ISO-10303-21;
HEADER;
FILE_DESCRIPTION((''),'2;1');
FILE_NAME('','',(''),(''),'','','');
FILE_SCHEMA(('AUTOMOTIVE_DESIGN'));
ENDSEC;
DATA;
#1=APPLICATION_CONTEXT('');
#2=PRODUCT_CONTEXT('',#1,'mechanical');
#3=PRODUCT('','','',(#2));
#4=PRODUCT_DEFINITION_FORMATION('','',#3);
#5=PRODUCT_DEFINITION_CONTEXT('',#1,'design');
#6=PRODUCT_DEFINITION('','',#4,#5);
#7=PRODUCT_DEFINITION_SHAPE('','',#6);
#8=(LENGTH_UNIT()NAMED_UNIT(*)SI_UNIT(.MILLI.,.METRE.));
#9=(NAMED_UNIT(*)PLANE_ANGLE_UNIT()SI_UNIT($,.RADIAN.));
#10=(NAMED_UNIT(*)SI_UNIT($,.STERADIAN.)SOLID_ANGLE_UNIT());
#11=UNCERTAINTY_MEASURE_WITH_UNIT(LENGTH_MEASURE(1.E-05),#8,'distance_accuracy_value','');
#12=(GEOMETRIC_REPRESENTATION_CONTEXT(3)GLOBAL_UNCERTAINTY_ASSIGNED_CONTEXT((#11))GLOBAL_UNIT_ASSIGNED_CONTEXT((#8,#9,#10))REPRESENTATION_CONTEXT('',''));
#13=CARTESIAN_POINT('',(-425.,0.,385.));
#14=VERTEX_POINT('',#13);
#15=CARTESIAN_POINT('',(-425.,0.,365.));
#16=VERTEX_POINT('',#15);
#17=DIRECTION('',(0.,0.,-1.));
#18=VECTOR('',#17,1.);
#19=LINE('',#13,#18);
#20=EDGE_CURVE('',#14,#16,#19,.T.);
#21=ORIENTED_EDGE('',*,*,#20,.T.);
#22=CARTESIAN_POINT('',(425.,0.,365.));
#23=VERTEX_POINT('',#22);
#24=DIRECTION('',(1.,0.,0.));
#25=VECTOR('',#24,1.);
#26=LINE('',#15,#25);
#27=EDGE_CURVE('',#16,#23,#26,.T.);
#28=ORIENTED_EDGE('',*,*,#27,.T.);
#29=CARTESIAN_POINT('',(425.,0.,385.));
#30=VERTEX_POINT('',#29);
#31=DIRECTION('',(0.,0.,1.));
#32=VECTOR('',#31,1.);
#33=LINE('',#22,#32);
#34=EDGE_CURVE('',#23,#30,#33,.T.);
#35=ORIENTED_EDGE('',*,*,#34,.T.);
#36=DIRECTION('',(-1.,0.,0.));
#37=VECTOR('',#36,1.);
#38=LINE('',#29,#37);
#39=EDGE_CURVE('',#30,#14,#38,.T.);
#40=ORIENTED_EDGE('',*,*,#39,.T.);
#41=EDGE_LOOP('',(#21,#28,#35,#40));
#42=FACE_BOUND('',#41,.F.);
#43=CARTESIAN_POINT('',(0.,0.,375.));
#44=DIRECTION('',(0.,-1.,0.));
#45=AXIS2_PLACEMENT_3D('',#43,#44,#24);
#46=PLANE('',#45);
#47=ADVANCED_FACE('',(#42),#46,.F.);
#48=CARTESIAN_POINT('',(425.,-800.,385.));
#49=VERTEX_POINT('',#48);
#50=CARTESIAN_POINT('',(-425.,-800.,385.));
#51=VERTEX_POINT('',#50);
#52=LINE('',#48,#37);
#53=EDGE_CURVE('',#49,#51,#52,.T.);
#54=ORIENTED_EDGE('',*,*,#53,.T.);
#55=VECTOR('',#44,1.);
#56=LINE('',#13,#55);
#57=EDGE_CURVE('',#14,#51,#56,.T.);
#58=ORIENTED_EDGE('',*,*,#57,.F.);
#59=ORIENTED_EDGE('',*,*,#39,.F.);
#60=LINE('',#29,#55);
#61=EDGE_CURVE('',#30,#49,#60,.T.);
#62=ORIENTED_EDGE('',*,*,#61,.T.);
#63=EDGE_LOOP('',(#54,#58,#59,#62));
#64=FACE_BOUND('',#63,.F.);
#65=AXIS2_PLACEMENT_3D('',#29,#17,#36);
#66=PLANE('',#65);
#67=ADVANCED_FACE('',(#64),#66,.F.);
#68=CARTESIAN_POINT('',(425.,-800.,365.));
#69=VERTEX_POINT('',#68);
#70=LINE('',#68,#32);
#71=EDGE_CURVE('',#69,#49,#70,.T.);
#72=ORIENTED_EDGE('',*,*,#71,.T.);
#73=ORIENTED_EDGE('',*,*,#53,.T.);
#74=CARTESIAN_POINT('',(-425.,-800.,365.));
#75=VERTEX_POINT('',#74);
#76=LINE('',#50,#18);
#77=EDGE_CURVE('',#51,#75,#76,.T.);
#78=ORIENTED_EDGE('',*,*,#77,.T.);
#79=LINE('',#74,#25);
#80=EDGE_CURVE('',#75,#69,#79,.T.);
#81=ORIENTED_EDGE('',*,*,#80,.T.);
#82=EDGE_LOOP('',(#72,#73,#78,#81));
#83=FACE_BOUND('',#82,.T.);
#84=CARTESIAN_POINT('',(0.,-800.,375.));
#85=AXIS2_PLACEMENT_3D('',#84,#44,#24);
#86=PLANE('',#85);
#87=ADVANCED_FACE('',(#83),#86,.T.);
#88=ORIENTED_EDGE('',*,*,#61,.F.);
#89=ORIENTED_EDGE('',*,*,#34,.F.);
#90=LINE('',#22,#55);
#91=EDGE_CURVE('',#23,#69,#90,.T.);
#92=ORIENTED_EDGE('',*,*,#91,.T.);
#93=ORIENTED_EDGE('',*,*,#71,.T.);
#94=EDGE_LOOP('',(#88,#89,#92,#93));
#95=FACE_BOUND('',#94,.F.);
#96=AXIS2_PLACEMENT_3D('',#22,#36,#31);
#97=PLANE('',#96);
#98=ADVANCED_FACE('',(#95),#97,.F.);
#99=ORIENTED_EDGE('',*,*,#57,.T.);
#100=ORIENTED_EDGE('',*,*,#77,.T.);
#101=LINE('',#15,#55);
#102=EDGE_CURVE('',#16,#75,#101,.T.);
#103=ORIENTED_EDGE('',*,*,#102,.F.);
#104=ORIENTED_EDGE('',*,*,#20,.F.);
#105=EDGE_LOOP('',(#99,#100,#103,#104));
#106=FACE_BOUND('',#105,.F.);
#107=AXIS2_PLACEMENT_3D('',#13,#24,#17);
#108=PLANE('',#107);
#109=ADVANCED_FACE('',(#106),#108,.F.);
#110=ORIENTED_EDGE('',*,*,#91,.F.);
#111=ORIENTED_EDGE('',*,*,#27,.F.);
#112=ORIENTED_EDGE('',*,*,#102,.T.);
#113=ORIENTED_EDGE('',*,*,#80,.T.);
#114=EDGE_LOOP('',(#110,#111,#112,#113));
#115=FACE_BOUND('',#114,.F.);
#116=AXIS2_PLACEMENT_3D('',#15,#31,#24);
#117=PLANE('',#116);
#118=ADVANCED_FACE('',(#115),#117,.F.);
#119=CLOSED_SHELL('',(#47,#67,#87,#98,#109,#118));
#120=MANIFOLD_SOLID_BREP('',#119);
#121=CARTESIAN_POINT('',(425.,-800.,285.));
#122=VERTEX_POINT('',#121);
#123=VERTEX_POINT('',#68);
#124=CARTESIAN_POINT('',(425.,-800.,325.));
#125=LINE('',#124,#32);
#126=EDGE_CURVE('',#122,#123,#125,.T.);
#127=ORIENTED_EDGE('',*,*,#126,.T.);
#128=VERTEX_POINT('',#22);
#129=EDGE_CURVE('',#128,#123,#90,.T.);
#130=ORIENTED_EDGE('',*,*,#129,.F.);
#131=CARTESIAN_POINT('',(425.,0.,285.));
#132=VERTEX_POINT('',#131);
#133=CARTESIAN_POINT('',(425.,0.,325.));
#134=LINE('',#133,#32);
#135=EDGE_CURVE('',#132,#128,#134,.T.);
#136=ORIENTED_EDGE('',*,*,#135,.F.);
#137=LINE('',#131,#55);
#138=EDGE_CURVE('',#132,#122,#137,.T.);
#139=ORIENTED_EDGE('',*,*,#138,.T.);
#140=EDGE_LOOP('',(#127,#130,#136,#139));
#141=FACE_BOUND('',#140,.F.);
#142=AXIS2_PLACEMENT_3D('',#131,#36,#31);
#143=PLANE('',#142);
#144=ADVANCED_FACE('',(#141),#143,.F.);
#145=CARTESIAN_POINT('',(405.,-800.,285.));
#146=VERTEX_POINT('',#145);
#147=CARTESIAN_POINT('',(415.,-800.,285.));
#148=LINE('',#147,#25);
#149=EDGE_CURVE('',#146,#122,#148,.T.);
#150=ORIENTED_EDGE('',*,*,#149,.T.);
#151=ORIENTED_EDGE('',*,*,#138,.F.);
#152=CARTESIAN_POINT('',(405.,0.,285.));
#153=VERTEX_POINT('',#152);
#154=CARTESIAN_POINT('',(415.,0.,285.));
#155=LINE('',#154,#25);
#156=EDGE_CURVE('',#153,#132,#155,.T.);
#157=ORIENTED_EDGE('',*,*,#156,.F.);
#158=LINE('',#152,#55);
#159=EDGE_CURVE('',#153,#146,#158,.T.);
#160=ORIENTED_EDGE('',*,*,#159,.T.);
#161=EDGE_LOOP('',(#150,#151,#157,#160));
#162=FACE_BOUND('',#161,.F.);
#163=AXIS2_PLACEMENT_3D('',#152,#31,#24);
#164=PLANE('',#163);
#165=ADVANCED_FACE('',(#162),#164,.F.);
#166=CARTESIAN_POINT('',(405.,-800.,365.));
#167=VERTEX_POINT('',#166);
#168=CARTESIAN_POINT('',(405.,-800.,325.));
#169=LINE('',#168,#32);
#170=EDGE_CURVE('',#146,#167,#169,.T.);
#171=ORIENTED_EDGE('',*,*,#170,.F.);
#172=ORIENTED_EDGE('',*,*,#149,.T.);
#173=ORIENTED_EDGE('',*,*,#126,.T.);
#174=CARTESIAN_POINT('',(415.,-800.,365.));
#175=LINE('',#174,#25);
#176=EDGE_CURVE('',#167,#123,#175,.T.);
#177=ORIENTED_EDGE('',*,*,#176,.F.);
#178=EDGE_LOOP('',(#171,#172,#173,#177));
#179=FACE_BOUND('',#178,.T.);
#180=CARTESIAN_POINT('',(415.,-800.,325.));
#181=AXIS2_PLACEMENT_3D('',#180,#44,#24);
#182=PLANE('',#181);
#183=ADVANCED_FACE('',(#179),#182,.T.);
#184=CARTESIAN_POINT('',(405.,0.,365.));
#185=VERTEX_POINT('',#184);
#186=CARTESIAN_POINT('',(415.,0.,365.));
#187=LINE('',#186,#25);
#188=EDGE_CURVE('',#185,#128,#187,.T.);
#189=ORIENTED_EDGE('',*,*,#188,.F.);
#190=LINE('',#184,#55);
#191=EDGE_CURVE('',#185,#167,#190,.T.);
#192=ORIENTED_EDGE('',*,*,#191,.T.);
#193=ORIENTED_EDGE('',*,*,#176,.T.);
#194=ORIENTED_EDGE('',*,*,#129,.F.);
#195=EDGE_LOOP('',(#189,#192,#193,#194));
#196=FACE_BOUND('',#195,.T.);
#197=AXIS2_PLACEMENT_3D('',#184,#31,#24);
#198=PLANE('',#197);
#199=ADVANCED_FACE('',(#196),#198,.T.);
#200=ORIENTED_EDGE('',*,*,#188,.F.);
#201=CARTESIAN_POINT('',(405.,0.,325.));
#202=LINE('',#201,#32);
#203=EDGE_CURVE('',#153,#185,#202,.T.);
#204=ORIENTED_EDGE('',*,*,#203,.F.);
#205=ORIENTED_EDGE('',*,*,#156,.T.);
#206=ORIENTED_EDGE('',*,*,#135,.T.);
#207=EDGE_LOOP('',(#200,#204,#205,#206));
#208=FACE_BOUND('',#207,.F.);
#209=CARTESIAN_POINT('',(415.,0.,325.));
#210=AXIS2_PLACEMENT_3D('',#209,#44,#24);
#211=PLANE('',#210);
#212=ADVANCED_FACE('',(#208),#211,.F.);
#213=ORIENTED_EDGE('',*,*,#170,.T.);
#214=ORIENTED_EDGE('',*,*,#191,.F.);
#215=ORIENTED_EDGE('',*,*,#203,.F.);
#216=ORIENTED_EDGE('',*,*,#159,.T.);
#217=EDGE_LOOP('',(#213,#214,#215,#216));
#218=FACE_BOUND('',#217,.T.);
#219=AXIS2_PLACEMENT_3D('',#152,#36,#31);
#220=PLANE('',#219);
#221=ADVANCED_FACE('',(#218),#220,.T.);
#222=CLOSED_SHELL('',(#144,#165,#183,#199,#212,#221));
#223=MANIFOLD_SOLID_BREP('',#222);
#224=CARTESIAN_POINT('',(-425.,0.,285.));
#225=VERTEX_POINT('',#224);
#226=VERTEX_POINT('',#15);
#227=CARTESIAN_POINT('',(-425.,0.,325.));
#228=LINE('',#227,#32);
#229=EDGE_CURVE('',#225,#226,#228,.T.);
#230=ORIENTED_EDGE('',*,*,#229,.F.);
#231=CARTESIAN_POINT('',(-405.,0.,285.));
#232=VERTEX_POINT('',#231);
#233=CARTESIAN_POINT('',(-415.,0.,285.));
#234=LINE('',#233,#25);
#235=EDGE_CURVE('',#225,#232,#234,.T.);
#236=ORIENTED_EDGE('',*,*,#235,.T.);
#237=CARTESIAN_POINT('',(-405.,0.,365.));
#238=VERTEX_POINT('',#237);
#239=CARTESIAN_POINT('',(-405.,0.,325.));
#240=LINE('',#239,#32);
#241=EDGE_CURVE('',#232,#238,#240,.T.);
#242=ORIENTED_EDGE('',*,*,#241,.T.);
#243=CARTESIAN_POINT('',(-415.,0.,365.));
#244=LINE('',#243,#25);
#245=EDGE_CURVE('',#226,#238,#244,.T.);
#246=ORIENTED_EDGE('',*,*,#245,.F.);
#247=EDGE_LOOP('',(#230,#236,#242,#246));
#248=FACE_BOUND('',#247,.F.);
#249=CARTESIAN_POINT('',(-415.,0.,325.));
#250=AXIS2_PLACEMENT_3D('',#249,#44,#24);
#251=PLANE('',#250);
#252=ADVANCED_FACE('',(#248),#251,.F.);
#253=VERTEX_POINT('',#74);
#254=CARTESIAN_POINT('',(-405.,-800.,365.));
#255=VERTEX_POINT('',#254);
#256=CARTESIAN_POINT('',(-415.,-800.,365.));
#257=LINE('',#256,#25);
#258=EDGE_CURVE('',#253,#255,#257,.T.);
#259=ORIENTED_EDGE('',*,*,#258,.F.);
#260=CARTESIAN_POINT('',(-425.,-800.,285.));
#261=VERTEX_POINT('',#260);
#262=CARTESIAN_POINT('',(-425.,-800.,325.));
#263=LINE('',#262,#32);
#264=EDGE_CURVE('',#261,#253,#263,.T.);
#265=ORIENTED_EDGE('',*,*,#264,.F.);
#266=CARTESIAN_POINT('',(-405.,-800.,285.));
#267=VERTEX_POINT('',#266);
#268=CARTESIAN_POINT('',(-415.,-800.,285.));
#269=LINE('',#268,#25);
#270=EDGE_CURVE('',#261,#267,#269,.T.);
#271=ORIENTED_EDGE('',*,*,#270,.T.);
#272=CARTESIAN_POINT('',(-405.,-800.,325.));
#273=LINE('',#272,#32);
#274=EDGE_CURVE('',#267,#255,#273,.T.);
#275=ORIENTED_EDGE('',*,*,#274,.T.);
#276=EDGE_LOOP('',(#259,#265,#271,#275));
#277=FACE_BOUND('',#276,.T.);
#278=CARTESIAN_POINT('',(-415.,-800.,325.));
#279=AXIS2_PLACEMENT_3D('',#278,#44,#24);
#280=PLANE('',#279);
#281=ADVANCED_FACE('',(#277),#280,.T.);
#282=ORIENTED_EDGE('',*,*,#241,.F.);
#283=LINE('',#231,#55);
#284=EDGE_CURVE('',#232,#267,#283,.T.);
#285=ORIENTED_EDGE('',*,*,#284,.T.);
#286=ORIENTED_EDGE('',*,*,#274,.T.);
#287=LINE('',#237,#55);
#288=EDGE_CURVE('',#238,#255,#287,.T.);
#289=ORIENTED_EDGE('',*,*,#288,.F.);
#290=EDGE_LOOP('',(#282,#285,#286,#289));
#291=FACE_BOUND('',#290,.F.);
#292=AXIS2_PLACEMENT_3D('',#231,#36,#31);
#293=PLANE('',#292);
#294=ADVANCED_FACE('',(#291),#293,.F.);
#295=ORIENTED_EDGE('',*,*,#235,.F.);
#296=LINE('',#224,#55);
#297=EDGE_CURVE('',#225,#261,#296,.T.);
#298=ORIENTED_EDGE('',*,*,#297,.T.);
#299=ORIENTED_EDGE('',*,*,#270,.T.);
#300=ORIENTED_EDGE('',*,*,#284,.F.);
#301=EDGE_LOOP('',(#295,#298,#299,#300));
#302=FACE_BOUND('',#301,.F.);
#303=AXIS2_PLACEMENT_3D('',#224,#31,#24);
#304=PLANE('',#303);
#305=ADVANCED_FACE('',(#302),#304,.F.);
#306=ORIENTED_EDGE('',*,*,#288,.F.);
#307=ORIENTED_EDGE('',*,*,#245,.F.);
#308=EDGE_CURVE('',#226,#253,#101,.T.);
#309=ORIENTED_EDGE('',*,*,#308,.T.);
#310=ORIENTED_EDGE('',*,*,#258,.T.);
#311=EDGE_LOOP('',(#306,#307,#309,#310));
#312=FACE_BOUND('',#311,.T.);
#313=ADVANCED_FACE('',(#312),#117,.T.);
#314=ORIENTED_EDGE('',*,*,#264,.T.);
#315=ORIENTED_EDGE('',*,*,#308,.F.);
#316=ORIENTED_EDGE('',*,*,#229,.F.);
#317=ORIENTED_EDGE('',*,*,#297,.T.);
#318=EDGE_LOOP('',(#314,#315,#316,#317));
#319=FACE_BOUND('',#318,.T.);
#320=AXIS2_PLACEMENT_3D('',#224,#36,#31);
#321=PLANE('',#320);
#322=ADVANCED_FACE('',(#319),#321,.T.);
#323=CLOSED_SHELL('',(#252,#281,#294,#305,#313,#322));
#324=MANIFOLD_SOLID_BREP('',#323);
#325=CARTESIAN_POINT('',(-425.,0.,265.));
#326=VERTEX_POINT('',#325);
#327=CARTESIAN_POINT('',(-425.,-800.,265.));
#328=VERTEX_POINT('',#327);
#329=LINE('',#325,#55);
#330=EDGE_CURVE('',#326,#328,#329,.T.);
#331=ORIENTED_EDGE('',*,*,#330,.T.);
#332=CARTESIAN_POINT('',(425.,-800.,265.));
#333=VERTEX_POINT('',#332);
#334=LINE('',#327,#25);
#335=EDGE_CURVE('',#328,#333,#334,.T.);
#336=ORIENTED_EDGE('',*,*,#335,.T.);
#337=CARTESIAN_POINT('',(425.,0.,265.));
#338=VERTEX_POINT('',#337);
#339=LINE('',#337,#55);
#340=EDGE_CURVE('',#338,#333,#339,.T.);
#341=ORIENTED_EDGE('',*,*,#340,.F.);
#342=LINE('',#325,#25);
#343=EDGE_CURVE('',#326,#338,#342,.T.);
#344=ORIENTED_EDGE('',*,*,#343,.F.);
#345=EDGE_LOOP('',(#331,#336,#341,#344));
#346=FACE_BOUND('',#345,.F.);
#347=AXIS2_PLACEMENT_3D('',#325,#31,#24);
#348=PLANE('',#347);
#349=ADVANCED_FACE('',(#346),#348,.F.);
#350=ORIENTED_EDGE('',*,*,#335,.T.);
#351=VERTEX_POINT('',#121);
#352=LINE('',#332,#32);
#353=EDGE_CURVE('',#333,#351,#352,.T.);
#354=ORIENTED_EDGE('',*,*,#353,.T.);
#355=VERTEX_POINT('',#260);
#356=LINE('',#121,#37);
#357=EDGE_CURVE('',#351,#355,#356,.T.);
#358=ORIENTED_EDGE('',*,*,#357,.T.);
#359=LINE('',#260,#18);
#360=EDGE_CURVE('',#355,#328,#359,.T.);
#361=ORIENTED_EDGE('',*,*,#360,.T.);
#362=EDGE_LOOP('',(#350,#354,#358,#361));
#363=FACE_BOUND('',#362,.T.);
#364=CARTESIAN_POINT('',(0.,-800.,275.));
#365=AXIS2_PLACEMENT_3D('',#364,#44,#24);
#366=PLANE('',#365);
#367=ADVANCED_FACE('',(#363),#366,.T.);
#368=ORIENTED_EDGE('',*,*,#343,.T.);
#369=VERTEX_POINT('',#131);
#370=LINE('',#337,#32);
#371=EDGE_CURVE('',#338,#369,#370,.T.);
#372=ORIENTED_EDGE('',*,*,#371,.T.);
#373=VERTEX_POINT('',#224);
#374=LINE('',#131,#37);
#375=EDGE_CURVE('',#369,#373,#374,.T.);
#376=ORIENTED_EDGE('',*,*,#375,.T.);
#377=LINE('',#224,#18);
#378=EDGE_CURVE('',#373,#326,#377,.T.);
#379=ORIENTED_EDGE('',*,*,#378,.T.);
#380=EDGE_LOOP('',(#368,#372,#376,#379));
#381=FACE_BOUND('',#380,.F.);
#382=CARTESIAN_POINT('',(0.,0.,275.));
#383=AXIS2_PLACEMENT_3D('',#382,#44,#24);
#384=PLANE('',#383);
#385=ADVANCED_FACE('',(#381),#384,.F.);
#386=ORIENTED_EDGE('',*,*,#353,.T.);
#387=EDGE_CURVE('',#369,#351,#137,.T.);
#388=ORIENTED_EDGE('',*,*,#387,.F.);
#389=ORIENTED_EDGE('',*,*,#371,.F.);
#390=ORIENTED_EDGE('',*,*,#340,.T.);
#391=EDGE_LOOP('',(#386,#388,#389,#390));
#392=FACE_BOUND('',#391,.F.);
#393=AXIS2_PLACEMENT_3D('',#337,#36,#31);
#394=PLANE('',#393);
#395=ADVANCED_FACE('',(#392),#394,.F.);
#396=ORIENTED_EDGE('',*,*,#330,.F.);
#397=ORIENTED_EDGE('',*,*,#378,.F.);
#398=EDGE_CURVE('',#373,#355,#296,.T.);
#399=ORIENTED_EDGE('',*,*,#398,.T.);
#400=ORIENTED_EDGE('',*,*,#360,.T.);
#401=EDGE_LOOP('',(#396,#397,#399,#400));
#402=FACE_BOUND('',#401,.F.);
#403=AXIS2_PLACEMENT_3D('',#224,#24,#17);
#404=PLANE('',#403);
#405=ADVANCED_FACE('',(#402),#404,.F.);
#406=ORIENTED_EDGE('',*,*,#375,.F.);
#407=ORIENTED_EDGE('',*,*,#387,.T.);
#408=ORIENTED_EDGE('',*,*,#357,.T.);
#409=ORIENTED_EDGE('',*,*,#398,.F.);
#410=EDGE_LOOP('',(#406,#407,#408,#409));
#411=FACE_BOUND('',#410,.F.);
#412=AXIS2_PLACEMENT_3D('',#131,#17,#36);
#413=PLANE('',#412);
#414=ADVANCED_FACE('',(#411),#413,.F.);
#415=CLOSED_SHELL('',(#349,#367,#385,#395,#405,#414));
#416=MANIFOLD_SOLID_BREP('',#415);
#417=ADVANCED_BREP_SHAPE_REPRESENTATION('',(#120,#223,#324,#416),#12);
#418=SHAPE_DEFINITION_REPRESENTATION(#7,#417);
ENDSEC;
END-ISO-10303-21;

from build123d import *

# Parameters (mm, degrees)
F1_DEPTH = 800
F0_W     = 20
F0_H     = 80
F2_DEPTH = 800


with BuildPart() as f1:
    # F0 (on Front) → F1 (new body)
    with BuildSketch(Plane.XZ):
        Polygon((425, 385), (-425, 385), (-425, 365), (-405, 365), (405, 365), (425, 365), align=None)
        Polygon((-405, 285), (-425, 285), (-425, 265), (425, 265), (425, 285), (405, 285), align=None)
    extrude(amount=F1_DEPTH)


with BuildPart() as f2:
    # F0 (on Front) → F2 (new body)
    with BuildSketch(Plane.XZ):
        with Locations((415, 325)):
            Rectangle(F0_W, F0_H)
        with Locations((-415, 325)):
            Rectangle(F0_W, F0_H)
    extrude(amount=F2_DEPTH)


solid = Compound([f1.part, f2.part])
